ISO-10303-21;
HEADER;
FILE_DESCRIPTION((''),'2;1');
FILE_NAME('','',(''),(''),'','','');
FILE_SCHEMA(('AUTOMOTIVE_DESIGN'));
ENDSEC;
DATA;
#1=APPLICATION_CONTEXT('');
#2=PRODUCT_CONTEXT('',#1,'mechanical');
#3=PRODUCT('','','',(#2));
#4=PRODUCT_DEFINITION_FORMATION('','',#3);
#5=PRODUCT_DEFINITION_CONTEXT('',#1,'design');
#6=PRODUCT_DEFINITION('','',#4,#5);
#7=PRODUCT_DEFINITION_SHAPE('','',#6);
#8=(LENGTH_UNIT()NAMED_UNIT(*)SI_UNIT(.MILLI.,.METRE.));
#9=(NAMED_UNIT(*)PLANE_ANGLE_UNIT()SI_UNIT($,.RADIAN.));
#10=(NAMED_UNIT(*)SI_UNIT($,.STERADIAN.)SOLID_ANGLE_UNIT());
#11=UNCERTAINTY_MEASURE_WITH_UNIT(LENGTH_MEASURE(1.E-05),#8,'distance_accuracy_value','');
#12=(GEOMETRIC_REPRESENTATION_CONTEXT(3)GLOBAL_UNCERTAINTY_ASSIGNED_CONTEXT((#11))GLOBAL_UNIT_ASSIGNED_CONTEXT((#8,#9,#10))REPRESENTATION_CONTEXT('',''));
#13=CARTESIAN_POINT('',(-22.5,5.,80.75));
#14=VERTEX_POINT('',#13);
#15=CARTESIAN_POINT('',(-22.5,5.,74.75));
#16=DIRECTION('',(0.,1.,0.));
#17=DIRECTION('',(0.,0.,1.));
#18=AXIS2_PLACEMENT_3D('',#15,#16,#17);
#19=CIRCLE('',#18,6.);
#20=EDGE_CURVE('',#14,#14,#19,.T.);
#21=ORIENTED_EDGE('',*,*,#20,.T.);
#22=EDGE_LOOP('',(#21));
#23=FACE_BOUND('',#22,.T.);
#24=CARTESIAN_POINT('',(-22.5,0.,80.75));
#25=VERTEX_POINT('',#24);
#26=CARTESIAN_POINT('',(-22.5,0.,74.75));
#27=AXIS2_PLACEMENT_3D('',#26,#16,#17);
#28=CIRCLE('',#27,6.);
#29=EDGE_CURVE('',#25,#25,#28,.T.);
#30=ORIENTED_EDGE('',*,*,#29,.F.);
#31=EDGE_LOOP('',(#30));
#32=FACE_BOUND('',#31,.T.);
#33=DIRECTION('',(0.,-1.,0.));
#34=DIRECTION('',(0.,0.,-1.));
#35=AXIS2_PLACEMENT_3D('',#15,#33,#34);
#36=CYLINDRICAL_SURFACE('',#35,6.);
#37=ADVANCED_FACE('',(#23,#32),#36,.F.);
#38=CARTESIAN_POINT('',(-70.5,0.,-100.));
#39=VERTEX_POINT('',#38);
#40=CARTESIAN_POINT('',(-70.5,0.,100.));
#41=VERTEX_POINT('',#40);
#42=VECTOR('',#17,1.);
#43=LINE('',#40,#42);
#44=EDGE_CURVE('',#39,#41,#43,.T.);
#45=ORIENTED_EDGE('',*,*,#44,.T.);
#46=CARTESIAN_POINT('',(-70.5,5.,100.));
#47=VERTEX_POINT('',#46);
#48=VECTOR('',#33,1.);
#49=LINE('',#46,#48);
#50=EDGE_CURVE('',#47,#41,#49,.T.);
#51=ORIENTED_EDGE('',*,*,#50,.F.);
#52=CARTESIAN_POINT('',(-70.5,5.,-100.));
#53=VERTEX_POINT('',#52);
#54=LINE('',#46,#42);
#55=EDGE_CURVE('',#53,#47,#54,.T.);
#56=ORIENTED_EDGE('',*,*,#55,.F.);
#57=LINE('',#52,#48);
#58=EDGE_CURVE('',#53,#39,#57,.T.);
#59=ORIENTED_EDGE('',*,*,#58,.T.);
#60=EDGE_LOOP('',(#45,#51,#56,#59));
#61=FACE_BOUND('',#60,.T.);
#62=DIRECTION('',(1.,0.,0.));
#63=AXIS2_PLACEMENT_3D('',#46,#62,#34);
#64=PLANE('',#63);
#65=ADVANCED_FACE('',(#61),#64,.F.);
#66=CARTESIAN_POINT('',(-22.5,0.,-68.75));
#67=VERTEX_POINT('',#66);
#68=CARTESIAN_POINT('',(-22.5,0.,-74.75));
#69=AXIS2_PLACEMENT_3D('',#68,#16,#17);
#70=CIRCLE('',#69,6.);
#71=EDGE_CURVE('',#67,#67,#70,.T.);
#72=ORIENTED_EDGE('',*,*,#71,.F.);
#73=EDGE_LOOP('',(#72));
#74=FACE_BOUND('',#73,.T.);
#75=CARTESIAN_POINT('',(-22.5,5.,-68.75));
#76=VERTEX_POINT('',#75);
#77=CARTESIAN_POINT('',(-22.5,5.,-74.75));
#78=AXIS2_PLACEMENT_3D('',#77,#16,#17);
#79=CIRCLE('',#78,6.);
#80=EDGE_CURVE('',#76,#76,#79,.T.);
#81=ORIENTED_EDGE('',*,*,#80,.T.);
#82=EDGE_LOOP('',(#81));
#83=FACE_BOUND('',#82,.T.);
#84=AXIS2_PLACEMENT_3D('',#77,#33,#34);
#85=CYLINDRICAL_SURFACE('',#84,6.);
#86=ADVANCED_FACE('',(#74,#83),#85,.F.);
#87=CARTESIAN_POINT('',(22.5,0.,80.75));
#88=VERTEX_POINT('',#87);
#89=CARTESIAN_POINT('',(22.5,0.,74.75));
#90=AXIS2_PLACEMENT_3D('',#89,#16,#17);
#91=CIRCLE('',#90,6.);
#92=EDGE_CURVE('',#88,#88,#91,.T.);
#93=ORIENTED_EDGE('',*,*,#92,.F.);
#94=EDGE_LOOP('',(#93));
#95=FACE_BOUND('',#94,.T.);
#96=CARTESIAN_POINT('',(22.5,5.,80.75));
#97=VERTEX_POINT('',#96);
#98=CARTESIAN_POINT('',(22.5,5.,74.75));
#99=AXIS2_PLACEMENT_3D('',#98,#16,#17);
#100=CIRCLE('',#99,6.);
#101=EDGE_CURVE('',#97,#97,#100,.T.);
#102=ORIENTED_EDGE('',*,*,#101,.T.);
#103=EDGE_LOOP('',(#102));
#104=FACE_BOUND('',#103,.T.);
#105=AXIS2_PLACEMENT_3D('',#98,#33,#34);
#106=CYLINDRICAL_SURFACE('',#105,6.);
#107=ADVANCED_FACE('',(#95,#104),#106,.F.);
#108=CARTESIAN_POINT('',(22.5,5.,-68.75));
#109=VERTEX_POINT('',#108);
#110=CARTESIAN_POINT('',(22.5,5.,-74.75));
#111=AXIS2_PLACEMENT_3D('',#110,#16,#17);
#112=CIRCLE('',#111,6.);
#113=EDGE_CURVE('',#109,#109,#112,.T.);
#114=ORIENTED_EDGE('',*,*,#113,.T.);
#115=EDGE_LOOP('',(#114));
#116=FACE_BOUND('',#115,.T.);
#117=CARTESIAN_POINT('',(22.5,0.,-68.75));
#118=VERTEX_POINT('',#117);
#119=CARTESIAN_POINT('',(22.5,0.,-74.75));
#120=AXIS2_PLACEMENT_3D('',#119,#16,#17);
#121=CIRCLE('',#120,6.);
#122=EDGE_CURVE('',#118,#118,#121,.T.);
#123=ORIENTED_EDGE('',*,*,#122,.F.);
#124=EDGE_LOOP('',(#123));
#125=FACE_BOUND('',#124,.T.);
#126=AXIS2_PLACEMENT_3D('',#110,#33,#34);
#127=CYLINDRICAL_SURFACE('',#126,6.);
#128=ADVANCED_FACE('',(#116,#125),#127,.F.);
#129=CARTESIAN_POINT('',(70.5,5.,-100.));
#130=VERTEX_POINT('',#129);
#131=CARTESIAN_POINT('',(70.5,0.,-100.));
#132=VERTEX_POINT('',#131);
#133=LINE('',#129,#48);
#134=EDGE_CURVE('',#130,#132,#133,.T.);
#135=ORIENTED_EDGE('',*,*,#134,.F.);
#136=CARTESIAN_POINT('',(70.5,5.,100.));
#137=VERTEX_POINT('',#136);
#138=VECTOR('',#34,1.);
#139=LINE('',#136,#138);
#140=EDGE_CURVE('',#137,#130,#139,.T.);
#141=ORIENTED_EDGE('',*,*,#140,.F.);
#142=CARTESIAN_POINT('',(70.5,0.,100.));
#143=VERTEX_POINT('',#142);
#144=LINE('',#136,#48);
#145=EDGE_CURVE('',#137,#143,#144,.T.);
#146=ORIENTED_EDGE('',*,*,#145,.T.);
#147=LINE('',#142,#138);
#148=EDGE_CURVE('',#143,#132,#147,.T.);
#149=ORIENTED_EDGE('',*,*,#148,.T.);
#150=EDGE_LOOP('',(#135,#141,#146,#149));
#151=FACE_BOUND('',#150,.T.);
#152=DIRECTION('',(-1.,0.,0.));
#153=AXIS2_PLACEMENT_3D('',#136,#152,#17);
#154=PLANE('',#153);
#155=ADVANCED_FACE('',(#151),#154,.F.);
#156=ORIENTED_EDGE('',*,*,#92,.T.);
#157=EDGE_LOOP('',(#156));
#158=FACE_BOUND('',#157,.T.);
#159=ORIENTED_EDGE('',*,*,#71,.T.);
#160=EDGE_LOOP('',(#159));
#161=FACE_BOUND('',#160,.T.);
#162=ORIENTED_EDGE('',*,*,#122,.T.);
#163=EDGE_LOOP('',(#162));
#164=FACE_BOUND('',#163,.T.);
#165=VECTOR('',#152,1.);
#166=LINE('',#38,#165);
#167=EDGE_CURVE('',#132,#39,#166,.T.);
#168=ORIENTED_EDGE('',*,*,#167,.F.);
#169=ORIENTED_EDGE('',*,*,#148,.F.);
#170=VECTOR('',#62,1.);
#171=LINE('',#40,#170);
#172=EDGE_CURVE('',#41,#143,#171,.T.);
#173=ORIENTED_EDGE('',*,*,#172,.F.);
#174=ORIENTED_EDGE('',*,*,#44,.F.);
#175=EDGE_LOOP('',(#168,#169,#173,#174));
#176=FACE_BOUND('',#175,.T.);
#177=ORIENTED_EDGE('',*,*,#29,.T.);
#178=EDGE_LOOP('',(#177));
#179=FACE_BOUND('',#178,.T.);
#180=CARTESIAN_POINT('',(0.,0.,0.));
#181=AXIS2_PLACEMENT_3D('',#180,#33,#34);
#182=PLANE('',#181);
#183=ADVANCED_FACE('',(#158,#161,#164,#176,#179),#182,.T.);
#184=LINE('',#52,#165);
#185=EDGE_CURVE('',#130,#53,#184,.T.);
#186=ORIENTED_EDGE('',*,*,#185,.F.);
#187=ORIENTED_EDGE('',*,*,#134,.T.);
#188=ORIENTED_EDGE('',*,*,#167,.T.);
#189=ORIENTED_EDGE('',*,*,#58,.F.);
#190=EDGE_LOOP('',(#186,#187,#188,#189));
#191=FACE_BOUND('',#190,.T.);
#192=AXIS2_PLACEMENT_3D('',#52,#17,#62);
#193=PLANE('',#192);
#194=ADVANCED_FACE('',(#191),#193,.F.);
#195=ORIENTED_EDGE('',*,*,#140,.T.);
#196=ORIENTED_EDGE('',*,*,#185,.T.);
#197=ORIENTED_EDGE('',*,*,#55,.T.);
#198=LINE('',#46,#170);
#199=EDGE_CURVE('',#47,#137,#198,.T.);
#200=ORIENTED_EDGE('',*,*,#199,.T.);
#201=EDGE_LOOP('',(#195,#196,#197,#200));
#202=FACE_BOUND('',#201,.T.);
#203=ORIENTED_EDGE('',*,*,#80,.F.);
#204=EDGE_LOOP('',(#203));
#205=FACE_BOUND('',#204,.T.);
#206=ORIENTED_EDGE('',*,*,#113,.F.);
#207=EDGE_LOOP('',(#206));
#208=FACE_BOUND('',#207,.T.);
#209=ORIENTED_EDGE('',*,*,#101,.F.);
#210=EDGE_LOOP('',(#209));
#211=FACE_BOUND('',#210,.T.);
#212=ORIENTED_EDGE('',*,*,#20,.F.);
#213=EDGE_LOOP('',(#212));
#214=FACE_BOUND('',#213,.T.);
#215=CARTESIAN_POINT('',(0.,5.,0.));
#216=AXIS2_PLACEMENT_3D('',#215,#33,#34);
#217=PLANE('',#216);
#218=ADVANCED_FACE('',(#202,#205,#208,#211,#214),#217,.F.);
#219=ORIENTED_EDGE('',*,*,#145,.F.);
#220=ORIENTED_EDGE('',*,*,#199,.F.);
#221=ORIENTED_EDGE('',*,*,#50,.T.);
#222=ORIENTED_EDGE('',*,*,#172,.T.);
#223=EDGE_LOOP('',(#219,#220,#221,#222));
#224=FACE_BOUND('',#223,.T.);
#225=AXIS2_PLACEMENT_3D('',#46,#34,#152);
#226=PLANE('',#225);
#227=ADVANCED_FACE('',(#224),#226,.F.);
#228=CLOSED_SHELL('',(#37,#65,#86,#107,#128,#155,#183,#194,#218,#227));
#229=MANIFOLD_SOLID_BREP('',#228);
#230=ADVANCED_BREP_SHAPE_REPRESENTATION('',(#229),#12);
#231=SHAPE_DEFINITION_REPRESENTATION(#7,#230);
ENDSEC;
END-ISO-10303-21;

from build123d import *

# Parameters (mm, degrees)
SKETCH1_W           = 141
SKETCH1_H           = 200
SKETCH1_R           = 6
BOSS_EXTRUDE1_DEPTH = 5


with BuildPart() as part:
    # Sketch1 → Boss-Extrude1 (new body)
    with BuildSketch(Plane(origin=(0, 0, 0), x_dir=(1, 0, 0), z_dir=(0, 1, 0))):
        Rectangle(SKETCH1_W, SKETCH1_H)
        with Locations((-22.5, 74.75)):
            Circle(SKETCH1_R, mode=Mode.SUBTRACT)
        with Locations((22.5, 74.75)):
            Circle(SKETCH1_R, mode=Mode.SUBTRACT)
        with Locations((-22.5, -74.75)):
            Circle(SKETCH1_R, mode=Mode.SUBTRACT)
        with Locations((22.5, -74.75)):
            Circle(SKETCH1_R, mode=Mode.SUBTRACT)
    extrude(amount=BOSS_EXTRUDE1_DEPTH)


solid = part.part
